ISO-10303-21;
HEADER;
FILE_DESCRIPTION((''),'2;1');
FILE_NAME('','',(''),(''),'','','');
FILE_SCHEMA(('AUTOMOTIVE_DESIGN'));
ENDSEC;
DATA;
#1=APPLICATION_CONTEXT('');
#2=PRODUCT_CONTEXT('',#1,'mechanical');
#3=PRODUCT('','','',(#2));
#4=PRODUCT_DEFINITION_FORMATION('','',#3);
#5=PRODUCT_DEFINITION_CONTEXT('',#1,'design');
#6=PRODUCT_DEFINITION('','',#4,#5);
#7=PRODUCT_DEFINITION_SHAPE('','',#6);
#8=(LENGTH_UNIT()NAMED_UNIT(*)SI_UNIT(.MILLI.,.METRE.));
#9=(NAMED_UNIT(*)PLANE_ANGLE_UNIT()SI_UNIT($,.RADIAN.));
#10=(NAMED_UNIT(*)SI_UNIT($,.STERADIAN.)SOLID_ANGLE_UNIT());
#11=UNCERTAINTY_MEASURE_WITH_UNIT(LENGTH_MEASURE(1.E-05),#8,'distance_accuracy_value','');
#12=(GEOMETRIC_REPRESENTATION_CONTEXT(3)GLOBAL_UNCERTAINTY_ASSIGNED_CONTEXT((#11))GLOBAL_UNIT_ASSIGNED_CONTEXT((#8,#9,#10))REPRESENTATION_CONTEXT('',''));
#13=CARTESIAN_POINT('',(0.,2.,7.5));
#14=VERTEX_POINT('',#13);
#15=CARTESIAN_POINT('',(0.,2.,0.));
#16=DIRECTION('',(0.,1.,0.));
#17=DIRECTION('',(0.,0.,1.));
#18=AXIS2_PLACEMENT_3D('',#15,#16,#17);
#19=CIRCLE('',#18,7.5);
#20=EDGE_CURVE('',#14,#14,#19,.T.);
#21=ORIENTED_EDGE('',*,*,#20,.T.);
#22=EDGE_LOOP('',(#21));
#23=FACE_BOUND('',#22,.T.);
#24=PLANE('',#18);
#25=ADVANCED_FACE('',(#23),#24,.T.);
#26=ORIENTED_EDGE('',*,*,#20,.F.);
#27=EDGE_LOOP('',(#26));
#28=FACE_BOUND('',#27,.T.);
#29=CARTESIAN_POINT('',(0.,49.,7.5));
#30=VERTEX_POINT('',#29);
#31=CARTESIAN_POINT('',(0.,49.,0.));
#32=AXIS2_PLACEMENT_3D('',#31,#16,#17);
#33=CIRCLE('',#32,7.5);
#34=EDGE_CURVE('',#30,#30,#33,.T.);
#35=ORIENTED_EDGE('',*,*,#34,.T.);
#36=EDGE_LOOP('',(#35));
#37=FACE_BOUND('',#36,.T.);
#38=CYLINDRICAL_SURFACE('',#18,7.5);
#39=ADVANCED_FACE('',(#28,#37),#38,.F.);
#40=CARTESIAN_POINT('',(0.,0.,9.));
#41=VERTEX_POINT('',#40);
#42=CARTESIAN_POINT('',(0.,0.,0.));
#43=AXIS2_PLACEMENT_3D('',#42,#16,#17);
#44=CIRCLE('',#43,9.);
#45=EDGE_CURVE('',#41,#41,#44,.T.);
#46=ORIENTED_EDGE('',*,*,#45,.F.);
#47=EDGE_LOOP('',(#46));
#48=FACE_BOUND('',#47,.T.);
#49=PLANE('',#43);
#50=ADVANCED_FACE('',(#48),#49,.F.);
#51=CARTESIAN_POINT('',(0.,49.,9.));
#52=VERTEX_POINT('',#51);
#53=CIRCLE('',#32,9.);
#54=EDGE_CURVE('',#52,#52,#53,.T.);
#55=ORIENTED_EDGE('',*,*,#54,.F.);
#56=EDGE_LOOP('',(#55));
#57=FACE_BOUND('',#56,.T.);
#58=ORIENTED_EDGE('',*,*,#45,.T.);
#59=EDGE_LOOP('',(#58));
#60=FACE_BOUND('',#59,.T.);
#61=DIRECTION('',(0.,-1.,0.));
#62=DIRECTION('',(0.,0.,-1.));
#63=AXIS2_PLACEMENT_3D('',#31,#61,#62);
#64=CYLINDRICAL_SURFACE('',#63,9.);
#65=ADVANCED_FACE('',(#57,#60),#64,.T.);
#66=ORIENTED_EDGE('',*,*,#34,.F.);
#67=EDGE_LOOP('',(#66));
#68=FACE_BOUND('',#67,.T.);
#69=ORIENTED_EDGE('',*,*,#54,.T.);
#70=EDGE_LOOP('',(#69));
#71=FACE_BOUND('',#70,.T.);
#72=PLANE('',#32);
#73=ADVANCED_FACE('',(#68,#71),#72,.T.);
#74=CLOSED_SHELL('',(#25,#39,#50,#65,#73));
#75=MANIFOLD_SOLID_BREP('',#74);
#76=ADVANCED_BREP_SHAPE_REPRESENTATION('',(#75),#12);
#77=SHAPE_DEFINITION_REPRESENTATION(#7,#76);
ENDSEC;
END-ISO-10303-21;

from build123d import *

# Parameters (mm, degrees)
SKETCH1_R           = 9
BOSS_EXTRUDE1_DEPTH = 49
SKETCH2_R           = 7.5
CUT_EXTRUDE1_DEPTH  = 47


with BuildPart() as part:
    # Sketch1 → Boss-Extrude1 (new body)
    with BuildSketch(Plane(origin=(0, 0, 0), x_dir=(1, 0, 0), z_dir=(0, 1, 0))):
        with Locations(Location((0, 0, 0), (0, 0, 270))):
            Circle(SKETCH1_R)
    extrude(amount=BOSS_EXTRUDE1_DEPTH)

    # Sketch2 → Cut-Extrude1 (cut)
    with BuildSketch(Plane(origin=(0, 49, 0), x_dir=(1, 0, 0), z_dir=(0, 1, 0))):
        with Locations(Location((0, 0, 0), (0, 0, 270))):
            Circle(SKETCH2_R)
    extrude(amount=-CUT_EXTRUDE1_DEPTH, mode=Mode.SUBTRACT)


solid = part.part
